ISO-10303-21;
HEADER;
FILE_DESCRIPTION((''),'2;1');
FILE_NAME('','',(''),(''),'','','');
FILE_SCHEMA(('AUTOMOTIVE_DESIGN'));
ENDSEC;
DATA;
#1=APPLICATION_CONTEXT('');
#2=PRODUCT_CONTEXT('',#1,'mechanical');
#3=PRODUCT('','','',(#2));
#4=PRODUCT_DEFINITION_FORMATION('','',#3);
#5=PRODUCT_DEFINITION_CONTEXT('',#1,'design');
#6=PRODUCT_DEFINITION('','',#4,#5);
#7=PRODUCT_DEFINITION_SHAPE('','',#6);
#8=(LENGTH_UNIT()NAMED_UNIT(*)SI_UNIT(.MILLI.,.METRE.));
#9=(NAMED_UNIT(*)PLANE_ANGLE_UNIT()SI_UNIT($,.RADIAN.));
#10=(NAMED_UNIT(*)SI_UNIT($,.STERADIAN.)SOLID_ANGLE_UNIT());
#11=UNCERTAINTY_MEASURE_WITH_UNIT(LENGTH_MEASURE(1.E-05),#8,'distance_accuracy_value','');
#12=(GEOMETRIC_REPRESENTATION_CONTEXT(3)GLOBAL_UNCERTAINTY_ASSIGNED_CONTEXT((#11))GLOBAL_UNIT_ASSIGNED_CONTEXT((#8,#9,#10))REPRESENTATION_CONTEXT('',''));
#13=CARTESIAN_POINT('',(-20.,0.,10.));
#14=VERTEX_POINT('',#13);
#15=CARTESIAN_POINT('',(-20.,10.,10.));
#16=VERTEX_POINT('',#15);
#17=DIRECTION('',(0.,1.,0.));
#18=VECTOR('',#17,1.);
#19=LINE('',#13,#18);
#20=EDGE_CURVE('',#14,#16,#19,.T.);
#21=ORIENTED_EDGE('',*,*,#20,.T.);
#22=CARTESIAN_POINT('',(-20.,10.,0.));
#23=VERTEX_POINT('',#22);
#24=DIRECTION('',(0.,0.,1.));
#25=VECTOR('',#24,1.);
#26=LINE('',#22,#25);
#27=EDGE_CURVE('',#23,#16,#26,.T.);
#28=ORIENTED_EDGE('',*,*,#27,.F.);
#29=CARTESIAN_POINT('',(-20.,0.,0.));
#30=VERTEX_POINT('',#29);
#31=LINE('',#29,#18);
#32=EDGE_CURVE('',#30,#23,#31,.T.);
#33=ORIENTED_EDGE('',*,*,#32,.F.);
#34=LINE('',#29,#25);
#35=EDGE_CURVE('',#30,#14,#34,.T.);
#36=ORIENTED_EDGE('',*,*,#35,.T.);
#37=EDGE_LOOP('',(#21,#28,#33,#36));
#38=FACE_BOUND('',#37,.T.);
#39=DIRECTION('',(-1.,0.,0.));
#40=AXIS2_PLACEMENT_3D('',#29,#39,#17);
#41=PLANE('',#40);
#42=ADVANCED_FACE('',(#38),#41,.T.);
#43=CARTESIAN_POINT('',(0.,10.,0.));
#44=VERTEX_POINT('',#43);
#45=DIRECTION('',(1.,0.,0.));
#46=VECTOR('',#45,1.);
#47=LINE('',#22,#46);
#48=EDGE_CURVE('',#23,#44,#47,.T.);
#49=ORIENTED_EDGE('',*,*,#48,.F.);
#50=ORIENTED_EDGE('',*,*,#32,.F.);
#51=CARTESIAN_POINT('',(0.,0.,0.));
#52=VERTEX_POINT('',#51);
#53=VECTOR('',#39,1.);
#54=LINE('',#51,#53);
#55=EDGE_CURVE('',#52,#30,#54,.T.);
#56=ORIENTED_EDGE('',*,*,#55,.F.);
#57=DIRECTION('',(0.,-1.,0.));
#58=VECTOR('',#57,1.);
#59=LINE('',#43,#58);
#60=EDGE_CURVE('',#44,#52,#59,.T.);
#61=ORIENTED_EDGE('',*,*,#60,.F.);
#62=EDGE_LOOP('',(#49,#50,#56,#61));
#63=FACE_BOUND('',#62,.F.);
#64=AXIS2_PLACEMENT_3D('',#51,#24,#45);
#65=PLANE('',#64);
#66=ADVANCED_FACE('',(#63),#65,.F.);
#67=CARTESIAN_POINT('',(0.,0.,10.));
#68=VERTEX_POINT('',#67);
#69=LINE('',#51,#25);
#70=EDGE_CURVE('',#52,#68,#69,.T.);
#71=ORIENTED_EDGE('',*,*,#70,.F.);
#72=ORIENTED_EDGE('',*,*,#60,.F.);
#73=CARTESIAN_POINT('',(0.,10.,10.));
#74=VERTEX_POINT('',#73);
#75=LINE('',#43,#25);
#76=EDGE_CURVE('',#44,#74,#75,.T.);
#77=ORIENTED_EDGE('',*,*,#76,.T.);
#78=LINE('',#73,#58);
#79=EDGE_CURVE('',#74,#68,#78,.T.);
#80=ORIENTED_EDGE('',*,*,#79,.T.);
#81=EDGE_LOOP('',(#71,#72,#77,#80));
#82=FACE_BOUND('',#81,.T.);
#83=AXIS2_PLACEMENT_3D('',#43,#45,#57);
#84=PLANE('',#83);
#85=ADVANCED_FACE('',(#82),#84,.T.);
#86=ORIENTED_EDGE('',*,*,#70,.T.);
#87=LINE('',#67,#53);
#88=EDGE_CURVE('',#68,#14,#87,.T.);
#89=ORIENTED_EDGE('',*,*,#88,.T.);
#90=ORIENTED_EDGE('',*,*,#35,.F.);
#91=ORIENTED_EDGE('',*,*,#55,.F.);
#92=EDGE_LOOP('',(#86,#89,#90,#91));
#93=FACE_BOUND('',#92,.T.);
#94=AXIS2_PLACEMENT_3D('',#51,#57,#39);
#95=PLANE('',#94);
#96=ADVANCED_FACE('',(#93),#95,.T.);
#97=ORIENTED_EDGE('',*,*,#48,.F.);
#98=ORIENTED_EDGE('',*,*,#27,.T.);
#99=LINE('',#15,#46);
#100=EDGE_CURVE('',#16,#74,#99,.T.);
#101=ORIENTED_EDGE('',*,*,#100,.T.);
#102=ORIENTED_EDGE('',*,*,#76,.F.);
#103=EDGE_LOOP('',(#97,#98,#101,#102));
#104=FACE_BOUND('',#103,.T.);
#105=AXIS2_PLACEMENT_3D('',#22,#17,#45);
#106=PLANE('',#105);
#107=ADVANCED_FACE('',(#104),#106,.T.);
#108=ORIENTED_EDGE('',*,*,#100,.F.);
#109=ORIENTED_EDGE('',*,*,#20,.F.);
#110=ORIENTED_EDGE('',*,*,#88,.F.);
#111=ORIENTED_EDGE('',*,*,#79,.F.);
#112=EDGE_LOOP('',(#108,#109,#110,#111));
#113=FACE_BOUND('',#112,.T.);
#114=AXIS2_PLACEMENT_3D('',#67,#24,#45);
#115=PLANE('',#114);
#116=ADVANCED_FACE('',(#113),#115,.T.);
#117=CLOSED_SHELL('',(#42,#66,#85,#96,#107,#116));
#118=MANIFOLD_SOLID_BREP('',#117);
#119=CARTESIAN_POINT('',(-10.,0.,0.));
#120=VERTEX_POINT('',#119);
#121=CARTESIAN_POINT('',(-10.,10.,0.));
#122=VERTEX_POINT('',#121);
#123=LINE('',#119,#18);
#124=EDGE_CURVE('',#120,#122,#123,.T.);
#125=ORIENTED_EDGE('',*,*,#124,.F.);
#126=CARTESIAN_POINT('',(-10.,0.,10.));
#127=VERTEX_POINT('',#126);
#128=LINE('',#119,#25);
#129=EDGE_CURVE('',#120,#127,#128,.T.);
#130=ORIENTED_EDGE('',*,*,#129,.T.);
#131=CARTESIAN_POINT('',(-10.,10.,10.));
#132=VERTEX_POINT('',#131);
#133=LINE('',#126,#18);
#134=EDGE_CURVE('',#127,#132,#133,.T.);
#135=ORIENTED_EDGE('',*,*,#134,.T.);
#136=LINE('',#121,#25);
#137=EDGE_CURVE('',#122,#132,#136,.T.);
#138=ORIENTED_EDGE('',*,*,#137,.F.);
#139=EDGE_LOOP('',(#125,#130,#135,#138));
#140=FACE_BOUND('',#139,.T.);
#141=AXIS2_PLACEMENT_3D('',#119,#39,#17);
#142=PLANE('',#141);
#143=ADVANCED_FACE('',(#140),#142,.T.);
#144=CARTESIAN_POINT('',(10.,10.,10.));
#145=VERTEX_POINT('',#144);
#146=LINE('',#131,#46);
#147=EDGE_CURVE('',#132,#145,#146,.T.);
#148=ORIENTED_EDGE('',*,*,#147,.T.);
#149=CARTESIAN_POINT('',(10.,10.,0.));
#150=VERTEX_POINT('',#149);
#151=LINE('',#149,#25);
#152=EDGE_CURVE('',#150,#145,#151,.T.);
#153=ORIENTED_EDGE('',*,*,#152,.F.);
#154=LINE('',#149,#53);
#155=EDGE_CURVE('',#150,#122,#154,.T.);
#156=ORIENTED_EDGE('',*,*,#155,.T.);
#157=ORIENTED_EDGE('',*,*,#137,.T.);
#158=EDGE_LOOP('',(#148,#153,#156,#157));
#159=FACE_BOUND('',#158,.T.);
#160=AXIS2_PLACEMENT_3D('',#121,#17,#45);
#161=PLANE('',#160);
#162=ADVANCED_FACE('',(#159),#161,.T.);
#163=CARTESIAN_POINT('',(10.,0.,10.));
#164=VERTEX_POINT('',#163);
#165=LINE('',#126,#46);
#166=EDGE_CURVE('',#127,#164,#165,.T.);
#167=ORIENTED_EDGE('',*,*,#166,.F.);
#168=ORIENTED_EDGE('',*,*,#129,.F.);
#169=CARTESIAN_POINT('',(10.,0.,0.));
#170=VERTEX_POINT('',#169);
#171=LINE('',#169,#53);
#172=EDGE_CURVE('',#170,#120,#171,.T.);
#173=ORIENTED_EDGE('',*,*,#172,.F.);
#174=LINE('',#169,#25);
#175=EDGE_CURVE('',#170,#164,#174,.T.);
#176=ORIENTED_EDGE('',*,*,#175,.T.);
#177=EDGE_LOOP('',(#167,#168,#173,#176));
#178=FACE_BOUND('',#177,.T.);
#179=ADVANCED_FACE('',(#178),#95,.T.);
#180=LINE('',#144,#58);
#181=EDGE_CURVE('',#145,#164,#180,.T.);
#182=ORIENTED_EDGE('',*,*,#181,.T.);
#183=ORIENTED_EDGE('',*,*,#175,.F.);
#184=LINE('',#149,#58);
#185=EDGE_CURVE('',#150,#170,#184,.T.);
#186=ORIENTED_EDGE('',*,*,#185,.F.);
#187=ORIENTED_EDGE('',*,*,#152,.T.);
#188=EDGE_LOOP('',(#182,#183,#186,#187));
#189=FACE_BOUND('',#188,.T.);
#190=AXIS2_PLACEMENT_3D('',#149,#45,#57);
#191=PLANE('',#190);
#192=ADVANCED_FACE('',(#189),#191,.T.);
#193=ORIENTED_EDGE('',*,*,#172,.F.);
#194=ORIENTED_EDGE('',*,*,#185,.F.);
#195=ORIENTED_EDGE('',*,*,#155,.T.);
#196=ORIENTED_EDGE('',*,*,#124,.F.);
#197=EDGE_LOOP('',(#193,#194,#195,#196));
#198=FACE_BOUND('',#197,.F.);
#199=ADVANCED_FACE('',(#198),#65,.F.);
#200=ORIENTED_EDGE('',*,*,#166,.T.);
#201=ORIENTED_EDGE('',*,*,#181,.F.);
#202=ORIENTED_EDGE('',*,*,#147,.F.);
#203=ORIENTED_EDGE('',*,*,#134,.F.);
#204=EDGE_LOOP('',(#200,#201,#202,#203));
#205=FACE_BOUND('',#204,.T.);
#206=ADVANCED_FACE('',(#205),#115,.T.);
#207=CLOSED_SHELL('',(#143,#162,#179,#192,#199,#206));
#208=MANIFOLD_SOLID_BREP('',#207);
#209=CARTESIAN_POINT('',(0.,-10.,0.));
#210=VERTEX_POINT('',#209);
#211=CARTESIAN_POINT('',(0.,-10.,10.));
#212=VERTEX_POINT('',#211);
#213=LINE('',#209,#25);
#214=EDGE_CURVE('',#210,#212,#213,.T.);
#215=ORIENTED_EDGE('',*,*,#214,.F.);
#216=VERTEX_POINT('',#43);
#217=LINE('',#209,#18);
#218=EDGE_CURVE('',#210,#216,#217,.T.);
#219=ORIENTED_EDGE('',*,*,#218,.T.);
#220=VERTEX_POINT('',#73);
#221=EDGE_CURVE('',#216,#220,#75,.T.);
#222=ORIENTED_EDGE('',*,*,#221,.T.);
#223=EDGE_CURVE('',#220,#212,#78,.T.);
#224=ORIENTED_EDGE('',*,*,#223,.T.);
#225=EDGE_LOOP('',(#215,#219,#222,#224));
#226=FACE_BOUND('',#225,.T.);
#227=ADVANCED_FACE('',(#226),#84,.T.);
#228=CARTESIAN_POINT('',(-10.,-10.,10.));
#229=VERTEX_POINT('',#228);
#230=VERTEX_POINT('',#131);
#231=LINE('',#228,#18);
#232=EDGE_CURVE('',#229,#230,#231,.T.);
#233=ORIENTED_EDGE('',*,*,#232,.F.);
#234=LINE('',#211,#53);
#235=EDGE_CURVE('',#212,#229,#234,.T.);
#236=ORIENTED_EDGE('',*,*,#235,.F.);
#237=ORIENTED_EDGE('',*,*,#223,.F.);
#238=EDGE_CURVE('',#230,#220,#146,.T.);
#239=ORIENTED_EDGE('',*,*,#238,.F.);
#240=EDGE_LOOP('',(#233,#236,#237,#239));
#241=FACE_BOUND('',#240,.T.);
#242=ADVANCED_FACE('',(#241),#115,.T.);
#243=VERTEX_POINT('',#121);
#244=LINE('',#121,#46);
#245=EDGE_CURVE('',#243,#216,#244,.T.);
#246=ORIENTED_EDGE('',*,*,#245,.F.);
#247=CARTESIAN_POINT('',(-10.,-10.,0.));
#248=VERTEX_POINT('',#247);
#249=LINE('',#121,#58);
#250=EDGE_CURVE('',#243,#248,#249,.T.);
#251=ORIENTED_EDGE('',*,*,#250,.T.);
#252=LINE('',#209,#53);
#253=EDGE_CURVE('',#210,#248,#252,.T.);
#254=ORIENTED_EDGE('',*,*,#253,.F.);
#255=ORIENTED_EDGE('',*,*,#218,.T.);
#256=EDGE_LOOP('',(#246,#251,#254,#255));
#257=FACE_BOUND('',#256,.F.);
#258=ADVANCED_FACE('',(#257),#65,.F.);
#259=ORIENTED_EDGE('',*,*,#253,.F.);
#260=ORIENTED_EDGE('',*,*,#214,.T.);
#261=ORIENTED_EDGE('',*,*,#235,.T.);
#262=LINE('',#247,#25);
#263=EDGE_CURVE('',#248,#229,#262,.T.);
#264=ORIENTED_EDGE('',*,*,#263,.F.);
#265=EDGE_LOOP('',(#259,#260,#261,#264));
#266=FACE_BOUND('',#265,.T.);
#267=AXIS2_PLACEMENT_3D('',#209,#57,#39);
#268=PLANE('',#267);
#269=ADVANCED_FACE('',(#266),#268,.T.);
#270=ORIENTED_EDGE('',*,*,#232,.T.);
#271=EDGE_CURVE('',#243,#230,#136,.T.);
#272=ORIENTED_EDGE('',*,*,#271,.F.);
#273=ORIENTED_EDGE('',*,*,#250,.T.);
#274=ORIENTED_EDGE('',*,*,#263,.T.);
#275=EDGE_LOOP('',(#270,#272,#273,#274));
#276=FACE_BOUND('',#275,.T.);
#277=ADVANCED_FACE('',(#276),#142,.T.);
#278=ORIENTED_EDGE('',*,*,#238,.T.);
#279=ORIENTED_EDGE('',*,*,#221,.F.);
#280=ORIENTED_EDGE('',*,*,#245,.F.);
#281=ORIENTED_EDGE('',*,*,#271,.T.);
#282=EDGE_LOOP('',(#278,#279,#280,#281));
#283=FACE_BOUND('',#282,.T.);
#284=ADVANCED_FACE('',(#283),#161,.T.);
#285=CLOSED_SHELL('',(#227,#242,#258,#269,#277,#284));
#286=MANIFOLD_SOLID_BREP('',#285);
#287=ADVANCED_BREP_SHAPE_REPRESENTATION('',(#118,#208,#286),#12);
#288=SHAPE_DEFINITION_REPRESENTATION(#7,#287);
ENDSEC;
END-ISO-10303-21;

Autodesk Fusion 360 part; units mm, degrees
sketch "Sketch1" plane through (0, 0, 0) normal (0, 0, 1) x (1, 0, 0)
  line L0 (0, 0) -> (-20, 0)
  line L1 (-20, 0) -> (-20, 10)
  line L2 (-20, 10) -> (0, 10)
  line L3 (0, 10) -> (0, 0)
extrude "Extrude1" add sketch "Sketch1" along normal blind 10 makes body 1
sketch "Sketch1 (2)" plane through (0, 0, 0) normal (0, 0, 1) x (1, 0, 0) in component "Tool"
  line L0 (-10, 10) -> (10, 10)
  line L1 (10, 10) -> (10, 0)
  line L2 (10, 0) -> (-10, 0)
  line L3 (-10, 0) -> (-10, 10)
  line L4 (-10, 10) -> (0, 10)
  line L5 (0, 10) -> (0, -10)
  line L6 (0, -10) -> (-10, -10)
  line L7 (-10, -10) -> (-10, 10)
extrude "Extrude1'" add sketch "Sketch1 (2)" along normal blind 10 separate body contours L0 L2 L3 L4 L5 L7 | L0 L1 L2 L5 makes body 2 in component "Tool"
extrude "Extrude2" add sketch "Sketch1 (2)" along normal blind 10 separate body contours L0 L2 L3 L4 L5 L7 | L2 L5 L6 L7 makes body 3 in component "Tool"
component "Tool" placed x (1, 0, 0) y (0, 1, 0) z (0, 0, 1) at (0, 0, 0)
